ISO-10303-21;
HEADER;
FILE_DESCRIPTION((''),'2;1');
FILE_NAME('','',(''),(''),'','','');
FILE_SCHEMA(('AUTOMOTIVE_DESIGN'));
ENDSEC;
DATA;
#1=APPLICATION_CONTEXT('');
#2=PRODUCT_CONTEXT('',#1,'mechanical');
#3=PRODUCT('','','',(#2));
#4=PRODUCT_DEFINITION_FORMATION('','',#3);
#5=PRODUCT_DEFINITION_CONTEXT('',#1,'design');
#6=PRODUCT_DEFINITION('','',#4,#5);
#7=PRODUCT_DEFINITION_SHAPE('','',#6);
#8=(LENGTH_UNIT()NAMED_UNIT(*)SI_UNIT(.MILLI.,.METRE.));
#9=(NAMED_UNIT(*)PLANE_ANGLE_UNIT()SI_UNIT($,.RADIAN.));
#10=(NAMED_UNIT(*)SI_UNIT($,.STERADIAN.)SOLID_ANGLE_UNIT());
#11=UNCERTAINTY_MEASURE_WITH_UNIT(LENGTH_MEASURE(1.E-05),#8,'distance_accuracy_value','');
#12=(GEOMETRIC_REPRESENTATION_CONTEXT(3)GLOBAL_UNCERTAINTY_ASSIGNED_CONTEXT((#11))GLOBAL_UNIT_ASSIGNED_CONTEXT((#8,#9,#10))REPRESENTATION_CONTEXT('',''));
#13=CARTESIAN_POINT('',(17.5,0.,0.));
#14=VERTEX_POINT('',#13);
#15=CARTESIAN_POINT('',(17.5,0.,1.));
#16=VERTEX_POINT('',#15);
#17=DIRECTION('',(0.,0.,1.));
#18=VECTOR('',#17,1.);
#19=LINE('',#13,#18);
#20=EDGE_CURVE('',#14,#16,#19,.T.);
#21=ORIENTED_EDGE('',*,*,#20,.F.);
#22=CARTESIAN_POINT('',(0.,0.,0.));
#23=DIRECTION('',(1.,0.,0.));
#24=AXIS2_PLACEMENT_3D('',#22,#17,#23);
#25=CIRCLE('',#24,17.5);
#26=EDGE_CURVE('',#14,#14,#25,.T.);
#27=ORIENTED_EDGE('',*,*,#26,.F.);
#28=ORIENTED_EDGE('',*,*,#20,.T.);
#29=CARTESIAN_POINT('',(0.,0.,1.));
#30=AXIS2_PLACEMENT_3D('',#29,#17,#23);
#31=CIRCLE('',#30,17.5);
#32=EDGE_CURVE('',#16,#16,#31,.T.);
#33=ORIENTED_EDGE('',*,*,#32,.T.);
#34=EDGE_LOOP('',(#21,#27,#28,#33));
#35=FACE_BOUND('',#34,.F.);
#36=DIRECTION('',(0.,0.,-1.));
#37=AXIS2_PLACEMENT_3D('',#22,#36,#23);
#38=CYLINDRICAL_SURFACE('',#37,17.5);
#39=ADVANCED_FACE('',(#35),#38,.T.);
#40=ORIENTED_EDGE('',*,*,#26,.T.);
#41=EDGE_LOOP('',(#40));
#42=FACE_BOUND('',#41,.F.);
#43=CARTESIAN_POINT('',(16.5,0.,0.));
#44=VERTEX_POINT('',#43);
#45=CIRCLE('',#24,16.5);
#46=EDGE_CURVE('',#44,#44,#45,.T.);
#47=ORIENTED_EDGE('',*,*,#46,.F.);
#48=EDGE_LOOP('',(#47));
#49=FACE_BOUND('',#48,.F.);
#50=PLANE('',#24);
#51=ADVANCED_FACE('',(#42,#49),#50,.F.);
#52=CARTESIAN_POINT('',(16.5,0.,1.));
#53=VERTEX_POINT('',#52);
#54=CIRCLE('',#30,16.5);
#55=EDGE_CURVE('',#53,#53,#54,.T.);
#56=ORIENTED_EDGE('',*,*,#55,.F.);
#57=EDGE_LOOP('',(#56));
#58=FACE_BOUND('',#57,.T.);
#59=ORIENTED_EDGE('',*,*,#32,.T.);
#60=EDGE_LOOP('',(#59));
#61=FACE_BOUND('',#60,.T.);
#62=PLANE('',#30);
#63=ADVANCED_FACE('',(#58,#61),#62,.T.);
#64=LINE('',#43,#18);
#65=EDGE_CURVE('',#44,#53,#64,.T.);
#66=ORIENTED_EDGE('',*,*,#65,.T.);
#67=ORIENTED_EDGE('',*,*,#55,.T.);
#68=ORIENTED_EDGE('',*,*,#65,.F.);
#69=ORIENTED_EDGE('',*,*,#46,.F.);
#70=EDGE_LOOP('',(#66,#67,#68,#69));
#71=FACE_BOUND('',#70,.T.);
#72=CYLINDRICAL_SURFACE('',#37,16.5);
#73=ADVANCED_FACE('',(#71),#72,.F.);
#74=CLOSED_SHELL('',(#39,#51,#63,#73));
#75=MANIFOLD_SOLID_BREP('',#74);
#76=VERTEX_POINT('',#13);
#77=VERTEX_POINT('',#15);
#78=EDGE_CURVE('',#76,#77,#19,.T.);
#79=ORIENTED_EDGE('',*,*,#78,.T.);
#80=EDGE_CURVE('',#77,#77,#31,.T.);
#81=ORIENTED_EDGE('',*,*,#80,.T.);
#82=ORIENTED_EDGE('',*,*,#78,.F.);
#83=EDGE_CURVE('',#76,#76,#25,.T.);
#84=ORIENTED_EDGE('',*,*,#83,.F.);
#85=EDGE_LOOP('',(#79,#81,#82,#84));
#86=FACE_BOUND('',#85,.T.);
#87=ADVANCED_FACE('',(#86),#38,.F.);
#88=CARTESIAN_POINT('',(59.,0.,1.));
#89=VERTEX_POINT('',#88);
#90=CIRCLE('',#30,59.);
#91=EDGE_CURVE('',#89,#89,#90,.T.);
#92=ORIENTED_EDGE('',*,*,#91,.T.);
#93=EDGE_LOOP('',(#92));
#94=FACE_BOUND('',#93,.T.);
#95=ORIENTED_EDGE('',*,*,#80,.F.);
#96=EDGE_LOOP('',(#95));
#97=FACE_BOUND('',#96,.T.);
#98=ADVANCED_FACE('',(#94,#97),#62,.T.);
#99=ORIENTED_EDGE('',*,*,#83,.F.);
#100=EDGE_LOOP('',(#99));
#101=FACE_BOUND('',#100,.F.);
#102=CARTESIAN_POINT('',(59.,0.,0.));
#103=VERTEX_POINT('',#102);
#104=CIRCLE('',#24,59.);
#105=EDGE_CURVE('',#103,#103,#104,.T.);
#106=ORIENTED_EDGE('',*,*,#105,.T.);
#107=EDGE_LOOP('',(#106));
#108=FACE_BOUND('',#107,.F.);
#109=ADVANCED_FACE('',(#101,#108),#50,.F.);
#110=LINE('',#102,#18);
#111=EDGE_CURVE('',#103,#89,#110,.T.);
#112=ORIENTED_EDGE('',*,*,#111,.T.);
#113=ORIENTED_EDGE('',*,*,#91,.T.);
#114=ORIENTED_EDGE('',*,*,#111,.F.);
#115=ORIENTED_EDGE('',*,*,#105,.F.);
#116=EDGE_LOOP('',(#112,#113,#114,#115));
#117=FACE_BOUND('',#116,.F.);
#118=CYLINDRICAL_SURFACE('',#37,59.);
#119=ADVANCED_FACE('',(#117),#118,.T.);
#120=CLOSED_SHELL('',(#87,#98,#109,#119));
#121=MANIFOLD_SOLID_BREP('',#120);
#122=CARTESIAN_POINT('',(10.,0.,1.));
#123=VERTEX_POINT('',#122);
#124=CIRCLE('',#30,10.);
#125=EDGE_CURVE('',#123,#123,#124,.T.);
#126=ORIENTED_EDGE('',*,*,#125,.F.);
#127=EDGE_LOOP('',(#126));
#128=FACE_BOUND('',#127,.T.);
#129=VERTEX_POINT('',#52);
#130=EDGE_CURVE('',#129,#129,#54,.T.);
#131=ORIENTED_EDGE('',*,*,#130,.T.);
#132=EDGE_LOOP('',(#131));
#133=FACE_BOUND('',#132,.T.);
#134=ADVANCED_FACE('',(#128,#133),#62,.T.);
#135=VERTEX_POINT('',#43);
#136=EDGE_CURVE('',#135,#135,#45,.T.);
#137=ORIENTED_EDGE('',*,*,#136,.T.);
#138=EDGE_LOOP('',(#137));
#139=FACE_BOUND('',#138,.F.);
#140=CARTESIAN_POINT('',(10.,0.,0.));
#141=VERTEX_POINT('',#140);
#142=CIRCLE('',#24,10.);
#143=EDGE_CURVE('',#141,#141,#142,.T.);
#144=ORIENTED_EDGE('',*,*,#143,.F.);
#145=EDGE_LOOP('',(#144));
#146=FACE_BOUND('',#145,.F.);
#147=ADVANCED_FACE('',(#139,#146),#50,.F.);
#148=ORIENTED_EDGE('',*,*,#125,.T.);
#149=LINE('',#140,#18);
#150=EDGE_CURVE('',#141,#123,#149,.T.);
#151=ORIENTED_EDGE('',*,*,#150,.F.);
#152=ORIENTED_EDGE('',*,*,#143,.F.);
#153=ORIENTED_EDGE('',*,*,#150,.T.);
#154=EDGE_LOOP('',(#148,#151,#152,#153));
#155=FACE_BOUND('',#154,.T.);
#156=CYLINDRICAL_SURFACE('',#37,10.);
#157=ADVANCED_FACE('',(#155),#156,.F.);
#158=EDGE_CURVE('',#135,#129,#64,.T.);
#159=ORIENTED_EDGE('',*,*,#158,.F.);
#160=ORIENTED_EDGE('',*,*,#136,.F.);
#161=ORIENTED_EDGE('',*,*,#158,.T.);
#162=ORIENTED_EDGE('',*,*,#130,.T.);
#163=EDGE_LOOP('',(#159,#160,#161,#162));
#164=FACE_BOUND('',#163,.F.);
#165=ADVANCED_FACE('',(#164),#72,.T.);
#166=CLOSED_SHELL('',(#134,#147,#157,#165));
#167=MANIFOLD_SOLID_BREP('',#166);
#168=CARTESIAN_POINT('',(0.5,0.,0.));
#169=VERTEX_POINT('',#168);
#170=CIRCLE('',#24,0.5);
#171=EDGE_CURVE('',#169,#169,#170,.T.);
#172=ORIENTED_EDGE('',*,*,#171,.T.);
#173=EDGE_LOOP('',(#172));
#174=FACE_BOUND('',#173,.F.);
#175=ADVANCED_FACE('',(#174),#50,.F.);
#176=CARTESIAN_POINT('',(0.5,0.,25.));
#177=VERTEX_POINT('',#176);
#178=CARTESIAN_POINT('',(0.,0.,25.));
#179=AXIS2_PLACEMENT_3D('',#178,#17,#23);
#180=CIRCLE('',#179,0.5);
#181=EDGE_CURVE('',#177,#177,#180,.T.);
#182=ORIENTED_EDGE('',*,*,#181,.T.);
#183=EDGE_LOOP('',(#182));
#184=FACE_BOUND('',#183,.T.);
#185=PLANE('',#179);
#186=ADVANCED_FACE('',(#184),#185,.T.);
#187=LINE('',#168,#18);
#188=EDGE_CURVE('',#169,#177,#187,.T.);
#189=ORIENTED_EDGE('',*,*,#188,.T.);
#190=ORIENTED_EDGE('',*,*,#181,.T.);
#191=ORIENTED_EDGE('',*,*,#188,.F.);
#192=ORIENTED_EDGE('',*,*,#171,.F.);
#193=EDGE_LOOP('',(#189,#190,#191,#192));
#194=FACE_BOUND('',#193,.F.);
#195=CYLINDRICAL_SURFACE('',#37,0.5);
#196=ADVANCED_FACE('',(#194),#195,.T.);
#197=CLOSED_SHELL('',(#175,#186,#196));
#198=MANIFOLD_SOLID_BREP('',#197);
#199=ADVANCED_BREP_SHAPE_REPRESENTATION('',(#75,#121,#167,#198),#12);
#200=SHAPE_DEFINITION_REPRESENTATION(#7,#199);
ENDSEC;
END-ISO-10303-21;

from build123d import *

# Parameters (mm, degrees)
F0_R     = 59
F0_R_2   = 17.5
F1_DEPTH = 1
F2_R     = 0.5
F3_DEPTH = 25
F0_R_3   = 16.5
F0_R_4   = 10
F4_DEPTH = 1
F5_DEPTH = 1


with BuildPart() as f1:
    # F0 (on Top) → F1 (new body)
    with BuildSketch(Plane.XY):
        Circle(F0_R)
        Circle(F0_R_2, mode=Mode.SUBTRACT)
    extrude(amount=F1_DEPTH)


with BuildPart() as f3:
    # F2 (on Top) → F3 (new body)
    with BuildSketch(Plane.XY):
        Circle(F2_R)
    extrude(amount=F3_DEPTH)


with BuildPart() as f4:
    # F0 (on Top) → F4 (new body)
    with BuildSketch(Plane.XY):
        Circle(F0_R_3)
        Circle(F0_R_4, mode=Mode.SUBTRACT)
    extrude(amount=F4_DEPTH)


with BuildPart() as f5:
    # F0 (on Top) → F5 (new body)
    with BuildSketch(Plane.XY):
        Circle(F0_R_2)
        Circle(F0_R_3, mode=Mode.SUBTRACT)
    extrude(amount=F5_DEPTH)


solid = Compound([f1.part, f3.part, f4.part, f5.part])
